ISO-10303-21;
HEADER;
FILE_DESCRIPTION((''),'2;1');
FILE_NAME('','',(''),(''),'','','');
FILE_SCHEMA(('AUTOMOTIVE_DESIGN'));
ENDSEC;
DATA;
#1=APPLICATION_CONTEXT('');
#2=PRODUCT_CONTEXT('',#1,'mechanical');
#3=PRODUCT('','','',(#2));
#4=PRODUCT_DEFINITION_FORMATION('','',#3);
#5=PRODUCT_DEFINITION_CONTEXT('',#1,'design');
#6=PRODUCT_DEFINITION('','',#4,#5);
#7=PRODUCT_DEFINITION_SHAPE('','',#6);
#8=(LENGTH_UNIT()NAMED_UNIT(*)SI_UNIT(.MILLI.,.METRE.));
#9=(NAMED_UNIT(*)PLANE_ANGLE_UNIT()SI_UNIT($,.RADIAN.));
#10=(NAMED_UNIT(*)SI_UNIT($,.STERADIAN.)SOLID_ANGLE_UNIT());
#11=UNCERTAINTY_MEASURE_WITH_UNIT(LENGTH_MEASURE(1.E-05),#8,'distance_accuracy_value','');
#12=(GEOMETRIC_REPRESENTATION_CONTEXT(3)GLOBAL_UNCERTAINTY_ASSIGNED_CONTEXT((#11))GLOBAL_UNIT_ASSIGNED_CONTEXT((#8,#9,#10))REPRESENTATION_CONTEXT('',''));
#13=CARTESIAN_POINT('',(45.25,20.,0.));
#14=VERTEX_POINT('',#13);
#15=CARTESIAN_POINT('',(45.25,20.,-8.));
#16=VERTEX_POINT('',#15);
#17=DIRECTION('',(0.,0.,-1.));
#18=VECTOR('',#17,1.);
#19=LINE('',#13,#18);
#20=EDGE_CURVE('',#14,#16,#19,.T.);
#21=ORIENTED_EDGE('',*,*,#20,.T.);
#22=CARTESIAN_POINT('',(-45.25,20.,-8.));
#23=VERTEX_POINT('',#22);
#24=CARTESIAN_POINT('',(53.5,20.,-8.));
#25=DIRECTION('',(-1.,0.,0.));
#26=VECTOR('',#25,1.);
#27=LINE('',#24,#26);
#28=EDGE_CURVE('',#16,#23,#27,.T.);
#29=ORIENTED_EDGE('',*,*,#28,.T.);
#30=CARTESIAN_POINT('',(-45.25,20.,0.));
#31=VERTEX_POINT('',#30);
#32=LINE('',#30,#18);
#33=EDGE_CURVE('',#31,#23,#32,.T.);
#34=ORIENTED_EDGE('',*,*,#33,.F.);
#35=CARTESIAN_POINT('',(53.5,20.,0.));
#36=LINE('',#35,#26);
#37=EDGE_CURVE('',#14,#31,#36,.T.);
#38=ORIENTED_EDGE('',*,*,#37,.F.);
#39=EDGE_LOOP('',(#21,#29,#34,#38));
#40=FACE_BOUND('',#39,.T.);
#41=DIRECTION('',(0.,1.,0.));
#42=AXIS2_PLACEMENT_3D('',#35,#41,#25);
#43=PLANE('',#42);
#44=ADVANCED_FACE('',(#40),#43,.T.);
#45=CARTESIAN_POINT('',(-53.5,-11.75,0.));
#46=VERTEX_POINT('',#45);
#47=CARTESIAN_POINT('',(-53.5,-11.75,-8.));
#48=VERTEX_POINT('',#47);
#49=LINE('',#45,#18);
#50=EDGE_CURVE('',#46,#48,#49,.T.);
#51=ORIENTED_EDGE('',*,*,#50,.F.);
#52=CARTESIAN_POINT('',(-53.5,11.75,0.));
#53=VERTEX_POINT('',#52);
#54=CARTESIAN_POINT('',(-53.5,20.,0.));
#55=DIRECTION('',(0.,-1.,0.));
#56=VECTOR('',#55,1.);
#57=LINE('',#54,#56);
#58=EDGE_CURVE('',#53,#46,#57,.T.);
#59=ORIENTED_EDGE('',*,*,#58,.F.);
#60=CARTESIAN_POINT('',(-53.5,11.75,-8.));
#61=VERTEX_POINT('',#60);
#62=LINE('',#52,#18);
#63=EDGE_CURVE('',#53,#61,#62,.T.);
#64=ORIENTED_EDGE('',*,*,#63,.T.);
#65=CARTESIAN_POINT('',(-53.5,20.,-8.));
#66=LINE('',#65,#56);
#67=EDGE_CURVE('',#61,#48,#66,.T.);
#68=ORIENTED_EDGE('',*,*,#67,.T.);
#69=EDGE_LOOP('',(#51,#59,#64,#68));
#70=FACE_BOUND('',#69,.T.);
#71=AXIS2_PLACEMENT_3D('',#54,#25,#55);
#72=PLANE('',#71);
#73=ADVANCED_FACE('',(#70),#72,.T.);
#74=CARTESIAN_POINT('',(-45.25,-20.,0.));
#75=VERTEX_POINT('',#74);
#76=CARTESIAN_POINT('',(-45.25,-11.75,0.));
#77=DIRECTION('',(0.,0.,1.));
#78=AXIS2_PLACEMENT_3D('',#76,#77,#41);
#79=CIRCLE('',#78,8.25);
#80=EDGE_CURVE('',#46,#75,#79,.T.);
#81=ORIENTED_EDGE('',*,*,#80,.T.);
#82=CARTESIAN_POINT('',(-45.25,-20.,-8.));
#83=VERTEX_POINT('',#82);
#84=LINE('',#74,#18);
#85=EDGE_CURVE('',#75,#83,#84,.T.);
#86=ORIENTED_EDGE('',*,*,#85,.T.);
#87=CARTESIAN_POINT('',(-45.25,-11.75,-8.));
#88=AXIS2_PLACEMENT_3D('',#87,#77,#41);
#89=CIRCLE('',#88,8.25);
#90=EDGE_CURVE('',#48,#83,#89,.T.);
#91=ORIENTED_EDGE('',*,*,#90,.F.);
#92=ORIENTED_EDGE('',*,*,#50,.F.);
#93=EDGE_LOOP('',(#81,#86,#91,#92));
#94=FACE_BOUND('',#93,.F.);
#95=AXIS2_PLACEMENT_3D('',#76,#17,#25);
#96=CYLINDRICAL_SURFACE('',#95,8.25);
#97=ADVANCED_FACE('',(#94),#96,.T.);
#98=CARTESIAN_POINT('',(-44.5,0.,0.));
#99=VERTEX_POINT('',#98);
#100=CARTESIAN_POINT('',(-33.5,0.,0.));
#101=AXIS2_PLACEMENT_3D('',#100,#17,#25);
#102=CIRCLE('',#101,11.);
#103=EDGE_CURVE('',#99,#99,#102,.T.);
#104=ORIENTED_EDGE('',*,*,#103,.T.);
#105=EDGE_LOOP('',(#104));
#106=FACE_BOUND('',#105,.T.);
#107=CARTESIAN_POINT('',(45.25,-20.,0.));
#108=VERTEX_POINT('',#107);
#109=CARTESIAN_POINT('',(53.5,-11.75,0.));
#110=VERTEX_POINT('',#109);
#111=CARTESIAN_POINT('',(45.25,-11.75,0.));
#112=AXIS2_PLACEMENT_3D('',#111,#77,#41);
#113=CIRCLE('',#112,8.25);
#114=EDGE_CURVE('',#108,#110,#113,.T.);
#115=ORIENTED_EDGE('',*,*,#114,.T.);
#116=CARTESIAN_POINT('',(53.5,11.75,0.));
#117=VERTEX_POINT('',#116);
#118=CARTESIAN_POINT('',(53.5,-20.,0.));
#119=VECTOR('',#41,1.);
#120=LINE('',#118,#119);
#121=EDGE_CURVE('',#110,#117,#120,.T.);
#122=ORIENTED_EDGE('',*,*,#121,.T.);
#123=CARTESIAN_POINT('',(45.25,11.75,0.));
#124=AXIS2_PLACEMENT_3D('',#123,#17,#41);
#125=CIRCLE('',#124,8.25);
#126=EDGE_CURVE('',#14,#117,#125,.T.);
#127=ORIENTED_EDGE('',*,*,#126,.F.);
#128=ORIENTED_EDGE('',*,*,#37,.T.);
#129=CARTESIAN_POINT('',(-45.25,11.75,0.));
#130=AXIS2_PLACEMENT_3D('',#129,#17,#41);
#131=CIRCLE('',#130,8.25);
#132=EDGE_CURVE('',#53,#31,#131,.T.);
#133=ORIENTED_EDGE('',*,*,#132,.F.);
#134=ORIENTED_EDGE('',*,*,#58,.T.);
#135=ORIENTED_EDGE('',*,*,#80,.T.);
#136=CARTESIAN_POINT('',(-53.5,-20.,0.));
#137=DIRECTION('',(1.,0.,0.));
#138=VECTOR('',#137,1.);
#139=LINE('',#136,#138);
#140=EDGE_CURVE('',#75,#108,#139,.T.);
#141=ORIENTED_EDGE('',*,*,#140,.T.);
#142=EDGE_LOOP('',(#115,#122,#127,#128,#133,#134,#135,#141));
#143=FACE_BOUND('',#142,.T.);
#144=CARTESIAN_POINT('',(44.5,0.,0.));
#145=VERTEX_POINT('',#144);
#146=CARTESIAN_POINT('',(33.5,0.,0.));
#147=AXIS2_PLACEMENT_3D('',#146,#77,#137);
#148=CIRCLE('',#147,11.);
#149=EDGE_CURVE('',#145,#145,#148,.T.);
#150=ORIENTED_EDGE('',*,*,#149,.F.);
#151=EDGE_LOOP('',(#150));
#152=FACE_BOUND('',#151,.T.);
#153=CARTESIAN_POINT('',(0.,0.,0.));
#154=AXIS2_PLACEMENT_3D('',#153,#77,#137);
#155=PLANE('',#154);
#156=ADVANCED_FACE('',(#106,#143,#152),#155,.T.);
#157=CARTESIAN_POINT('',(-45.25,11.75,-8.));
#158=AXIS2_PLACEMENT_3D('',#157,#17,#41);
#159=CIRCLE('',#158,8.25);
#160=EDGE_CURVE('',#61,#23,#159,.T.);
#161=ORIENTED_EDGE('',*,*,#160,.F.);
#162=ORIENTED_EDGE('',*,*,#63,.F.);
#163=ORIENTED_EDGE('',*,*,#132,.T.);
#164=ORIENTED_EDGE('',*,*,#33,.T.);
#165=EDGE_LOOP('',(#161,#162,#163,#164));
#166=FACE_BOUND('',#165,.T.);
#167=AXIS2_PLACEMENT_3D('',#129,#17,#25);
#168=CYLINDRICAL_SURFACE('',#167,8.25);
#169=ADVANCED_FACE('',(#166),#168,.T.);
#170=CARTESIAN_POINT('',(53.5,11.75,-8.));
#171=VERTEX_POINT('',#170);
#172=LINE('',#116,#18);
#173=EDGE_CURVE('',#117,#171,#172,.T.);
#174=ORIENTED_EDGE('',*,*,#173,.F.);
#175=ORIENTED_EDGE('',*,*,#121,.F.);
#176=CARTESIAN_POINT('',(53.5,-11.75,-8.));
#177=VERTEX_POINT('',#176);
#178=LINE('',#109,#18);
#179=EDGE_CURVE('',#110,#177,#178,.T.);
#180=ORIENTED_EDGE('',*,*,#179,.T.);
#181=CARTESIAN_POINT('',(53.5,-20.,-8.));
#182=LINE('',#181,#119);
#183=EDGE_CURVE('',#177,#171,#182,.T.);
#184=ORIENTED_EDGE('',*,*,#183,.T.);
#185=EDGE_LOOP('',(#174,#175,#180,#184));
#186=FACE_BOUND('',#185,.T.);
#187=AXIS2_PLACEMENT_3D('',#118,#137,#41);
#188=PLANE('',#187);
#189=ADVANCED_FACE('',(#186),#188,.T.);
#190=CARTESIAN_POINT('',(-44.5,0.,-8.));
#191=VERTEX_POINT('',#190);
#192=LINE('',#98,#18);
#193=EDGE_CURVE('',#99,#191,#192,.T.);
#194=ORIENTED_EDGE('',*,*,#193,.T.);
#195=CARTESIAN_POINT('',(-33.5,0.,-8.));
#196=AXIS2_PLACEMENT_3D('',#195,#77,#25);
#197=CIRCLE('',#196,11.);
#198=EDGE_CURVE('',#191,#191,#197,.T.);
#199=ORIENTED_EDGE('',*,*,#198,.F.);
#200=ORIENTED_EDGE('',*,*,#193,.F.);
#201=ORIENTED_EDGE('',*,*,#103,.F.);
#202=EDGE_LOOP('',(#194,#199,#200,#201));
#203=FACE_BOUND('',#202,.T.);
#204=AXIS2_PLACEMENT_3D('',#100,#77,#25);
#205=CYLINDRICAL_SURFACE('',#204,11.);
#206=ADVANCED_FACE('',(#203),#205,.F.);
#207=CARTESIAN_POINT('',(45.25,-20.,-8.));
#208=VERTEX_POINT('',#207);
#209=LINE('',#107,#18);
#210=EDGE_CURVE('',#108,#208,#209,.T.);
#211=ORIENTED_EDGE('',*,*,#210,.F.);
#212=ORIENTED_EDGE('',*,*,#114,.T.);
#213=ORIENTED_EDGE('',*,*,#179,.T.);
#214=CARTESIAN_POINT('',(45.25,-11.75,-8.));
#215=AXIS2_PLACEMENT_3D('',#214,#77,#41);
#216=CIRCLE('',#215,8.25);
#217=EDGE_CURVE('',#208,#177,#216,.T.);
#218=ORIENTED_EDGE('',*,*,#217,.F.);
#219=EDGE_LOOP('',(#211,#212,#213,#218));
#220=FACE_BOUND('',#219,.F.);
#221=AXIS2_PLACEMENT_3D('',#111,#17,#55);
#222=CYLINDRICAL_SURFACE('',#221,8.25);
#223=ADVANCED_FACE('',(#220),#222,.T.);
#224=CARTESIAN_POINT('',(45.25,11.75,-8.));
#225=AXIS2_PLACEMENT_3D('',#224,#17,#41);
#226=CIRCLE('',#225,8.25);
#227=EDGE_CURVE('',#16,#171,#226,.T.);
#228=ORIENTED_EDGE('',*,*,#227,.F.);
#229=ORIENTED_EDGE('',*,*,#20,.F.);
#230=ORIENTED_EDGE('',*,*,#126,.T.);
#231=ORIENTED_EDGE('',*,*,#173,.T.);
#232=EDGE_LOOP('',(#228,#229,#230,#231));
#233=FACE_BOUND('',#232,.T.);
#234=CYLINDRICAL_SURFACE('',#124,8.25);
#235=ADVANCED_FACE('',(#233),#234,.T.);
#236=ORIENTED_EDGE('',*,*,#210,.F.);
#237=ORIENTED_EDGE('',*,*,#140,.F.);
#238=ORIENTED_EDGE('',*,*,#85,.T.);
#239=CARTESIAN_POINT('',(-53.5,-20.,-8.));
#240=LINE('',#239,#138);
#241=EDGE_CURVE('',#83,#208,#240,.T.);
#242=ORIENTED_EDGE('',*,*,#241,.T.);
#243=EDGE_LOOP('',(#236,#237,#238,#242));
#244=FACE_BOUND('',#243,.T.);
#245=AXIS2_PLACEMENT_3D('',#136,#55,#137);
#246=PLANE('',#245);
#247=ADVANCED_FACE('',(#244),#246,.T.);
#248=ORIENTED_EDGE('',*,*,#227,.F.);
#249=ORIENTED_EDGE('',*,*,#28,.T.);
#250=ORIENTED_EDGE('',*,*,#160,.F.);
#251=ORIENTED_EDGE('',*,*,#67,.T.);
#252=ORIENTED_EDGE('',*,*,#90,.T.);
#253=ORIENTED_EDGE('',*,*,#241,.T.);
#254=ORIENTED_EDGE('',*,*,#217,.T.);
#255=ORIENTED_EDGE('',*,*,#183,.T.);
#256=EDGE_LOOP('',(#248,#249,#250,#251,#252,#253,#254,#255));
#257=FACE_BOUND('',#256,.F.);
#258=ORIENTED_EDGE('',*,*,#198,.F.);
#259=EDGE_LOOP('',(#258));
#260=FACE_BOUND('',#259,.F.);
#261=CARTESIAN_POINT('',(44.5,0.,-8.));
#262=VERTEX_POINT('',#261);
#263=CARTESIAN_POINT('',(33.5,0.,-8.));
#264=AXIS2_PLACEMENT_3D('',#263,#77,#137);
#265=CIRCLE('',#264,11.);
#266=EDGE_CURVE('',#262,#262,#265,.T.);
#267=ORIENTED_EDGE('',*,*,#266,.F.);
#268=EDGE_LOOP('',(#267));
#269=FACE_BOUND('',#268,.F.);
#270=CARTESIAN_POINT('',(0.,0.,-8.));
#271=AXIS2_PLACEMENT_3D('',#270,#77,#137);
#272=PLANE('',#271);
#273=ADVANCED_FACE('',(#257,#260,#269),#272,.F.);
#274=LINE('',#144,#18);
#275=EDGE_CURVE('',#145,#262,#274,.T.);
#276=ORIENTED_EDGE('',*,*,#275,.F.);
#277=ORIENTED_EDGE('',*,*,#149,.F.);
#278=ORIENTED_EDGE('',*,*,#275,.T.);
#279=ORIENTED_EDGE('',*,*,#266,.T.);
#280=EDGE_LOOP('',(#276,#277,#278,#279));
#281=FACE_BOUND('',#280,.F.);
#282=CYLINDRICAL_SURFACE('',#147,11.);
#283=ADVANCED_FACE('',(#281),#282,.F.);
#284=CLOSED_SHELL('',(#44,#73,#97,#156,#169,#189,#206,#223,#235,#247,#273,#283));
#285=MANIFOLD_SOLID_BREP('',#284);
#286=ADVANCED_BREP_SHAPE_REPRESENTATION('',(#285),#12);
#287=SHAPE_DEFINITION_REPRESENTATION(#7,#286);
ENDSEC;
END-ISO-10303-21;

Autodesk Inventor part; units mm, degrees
ref_plane "YZ Plane" through (0, 0, 0) normal (1, 0, 0) x (0, 1, 0)
ref_plane "XZ Plane" through (0, 0, 0) normal (0, 1, 0) x (-1, 0, 0)
ref_plane "XY Plane" through (0, 0, 0) normal (0, 0, 1) x (1, 0, 0)
sketch "Sketch1" plane through (0, 0, 0) normal (0, 0, 1) x (1, 0, 0)
  line L0 (-22.5, 0) -> (22.5, 0) construction
  circle A0 centre (33.5, 0) radius 11
  line L1 (-53.5, -20) -> (53.5, -20)
  line L2 (53.5, -20) -> (53.5, 20)
  line L3 (53.5, 20) -> (-53.5, 20)
  line L4 (-53.5, 20) -> (-53.5, -20)
  line L5 (-53.5, -20) -> (53.5, 20) construction
  line L6 (53.5, -20) -> (-53.5, 20) construction
  point P0 (0, 0)
  point P1 (0, 0)
  dimension "d4" = 22
  dimension "d3" = 45
  dimension "d11" = 20
  dimension "d12" = 20
extrude "Extrusion1" add sketch "Sketch1" against normal blind 8 contours A0 | L4 L3 L2 L1
extrude "Extrusion2" cut sketch "Sketch1" against normal through all contours A0
mirror "Mirror1" about plane through (0, 0, 0) normal (1, 0, 0) of "Extrusion2"
fillet "Fillet1" radius 8.25 4 edges at (-53.5, 20, -4) (53.5, 20, -4) (53.5, -20, -4) (-53.5, -20, -4)
properties part number "WeldAntiWarp"
